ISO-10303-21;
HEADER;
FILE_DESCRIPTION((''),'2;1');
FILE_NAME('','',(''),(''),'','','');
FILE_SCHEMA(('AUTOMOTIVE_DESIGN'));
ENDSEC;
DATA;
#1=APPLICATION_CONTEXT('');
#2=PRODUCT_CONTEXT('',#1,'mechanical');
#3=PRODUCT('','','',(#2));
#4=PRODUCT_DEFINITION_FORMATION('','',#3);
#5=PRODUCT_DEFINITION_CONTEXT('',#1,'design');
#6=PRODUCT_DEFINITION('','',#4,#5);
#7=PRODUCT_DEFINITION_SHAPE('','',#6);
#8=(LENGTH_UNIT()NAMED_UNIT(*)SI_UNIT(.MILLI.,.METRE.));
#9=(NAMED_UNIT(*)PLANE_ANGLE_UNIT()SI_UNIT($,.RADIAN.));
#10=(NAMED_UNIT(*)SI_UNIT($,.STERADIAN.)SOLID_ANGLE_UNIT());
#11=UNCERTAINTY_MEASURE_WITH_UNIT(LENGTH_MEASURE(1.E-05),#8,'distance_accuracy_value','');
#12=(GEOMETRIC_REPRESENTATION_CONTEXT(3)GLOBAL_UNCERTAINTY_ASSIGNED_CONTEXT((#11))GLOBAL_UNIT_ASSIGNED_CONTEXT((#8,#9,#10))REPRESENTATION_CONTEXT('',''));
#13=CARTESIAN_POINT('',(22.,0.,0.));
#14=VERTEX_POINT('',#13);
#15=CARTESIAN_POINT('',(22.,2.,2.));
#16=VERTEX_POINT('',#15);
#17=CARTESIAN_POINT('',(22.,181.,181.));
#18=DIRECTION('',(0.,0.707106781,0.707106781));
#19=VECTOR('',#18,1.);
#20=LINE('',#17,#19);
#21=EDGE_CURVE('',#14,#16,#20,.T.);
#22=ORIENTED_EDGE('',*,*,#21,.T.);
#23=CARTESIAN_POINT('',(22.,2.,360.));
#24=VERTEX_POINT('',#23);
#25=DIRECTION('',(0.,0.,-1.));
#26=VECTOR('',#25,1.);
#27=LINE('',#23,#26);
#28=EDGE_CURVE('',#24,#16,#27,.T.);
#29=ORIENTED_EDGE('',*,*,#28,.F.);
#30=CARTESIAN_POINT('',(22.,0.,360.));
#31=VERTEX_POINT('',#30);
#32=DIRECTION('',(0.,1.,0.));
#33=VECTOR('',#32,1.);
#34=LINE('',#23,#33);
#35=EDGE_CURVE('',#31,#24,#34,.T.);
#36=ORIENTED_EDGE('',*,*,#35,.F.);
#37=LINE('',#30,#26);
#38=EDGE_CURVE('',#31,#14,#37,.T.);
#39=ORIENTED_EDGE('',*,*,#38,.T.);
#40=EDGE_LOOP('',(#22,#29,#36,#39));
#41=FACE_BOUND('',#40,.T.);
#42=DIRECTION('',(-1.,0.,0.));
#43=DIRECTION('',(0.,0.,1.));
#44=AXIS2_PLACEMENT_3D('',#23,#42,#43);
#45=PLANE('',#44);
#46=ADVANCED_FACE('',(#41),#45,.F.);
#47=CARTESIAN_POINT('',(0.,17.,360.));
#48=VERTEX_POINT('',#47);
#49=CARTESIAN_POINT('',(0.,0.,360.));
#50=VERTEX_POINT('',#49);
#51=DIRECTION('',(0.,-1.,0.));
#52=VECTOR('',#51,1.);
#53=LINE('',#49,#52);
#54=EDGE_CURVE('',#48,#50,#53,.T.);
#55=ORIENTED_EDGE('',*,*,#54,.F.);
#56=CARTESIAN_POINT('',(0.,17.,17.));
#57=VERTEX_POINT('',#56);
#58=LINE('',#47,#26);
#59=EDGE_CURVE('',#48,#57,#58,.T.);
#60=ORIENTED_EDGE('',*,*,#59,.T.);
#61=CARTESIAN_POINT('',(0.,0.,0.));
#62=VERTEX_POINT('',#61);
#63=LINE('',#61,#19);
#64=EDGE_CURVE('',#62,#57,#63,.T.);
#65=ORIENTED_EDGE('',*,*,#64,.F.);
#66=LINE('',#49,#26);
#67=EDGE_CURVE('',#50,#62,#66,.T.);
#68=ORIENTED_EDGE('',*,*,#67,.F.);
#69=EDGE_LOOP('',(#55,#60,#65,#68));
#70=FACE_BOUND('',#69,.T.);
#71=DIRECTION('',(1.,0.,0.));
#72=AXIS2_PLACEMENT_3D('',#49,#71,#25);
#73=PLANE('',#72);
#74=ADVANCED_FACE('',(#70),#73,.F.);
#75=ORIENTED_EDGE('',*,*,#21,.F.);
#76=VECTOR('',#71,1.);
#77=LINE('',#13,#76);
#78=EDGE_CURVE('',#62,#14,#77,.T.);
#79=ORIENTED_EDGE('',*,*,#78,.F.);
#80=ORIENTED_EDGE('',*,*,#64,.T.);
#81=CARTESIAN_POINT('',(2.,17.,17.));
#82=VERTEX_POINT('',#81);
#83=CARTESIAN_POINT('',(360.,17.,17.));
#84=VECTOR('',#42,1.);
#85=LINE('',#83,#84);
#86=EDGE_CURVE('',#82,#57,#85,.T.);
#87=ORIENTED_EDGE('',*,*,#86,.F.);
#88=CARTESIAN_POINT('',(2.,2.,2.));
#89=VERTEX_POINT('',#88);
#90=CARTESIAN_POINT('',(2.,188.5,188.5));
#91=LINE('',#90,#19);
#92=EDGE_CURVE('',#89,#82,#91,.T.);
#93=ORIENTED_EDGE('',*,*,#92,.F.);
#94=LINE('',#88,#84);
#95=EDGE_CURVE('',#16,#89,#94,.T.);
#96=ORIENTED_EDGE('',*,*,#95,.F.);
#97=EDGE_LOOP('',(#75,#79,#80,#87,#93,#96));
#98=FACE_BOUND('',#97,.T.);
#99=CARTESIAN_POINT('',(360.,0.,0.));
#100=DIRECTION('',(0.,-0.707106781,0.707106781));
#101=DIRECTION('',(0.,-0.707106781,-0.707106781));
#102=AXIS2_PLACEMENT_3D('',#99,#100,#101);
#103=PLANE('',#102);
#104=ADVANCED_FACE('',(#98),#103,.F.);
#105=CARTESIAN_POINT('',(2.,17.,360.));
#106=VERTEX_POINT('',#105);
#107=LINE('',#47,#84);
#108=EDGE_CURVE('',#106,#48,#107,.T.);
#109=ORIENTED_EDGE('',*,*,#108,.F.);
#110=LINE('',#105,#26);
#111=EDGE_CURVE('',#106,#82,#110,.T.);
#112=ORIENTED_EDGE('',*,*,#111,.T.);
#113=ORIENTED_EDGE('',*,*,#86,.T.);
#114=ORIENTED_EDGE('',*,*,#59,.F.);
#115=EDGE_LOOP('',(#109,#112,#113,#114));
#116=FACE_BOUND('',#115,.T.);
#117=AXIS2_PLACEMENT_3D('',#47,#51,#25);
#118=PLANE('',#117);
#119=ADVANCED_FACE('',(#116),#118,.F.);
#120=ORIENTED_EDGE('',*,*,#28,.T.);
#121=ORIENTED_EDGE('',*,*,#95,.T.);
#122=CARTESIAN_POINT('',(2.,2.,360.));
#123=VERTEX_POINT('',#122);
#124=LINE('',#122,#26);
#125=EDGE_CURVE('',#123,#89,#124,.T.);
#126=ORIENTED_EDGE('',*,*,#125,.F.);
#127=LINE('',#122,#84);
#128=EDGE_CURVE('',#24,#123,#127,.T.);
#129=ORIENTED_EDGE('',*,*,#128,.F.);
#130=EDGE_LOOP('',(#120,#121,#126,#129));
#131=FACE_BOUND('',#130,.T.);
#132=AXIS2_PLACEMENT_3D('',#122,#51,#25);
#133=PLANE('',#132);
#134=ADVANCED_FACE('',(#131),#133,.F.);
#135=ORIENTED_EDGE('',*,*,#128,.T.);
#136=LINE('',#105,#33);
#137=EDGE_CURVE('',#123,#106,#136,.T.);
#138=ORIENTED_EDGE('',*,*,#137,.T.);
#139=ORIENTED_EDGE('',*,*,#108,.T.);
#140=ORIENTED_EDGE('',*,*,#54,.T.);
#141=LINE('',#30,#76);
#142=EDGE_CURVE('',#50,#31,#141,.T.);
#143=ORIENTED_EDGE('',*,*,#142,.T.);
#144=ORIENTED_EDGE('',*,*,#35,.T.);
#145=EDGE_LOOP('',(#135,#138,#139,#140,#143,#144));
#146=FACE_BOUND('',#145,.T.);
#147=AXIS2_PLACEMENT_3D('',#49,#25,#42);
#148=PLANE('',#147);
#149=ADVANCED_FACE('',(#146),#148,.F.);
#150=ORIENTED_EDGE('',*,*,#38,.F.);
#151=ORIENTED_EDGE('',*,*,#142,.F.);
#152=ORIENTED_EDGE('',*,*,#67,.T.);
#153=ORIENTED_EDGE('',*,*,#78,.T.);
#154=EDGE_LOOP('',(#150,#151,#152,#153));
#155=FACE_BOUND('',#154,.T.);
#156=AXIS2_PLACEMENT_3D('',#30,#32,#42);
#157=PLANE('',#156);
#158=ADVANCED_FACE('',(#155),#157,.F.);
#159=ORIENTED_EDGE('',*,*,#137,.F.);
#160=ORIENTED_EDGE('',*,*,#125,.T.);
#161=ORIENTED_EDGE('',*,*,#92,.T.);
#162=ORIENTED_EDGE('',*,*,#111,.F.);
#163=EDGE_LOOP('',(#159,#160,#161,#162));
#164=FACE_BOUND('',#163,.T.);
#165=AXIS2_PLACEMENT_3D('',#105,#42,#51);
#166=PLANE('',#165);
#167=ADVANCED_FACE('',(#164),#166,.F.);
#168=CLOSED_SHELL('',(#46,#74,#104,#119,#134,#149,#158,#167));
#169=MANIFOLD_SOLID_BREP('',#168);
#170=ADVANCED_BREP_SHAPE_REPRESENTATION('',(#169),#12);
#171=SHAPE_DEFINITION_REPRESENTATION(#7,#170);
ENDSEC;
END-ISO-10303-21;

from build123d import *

# Parameters (mm, degrees)
BOSS_EXTRUDE1_DEPTH = 360
CUT_EXTRUDE1_DEPTH  = 360


with BuildPart() as part:
    # Sketch2 → Boss-Extrude1 (new body)
    with BuildSketch(Plane.XY):
        Polygon((0, 0), (0, 17), (2, 17), (2, 2), (22, 2), (22, 0), align=None)
    extrude(amount=BOSS_EXTRUDE1_DEPTH)

    # Sketch3 → Cut-Extrude1 (cut)
    with BuildSketch(Plane.ZY):
        Polygon((0, 0), (17, 17), (0, 17), align=None)
    extrude(amount=-CUT_EXTRUDE1_DEPTH, mode=Mode.SUBTRACT)


solid = part.part
